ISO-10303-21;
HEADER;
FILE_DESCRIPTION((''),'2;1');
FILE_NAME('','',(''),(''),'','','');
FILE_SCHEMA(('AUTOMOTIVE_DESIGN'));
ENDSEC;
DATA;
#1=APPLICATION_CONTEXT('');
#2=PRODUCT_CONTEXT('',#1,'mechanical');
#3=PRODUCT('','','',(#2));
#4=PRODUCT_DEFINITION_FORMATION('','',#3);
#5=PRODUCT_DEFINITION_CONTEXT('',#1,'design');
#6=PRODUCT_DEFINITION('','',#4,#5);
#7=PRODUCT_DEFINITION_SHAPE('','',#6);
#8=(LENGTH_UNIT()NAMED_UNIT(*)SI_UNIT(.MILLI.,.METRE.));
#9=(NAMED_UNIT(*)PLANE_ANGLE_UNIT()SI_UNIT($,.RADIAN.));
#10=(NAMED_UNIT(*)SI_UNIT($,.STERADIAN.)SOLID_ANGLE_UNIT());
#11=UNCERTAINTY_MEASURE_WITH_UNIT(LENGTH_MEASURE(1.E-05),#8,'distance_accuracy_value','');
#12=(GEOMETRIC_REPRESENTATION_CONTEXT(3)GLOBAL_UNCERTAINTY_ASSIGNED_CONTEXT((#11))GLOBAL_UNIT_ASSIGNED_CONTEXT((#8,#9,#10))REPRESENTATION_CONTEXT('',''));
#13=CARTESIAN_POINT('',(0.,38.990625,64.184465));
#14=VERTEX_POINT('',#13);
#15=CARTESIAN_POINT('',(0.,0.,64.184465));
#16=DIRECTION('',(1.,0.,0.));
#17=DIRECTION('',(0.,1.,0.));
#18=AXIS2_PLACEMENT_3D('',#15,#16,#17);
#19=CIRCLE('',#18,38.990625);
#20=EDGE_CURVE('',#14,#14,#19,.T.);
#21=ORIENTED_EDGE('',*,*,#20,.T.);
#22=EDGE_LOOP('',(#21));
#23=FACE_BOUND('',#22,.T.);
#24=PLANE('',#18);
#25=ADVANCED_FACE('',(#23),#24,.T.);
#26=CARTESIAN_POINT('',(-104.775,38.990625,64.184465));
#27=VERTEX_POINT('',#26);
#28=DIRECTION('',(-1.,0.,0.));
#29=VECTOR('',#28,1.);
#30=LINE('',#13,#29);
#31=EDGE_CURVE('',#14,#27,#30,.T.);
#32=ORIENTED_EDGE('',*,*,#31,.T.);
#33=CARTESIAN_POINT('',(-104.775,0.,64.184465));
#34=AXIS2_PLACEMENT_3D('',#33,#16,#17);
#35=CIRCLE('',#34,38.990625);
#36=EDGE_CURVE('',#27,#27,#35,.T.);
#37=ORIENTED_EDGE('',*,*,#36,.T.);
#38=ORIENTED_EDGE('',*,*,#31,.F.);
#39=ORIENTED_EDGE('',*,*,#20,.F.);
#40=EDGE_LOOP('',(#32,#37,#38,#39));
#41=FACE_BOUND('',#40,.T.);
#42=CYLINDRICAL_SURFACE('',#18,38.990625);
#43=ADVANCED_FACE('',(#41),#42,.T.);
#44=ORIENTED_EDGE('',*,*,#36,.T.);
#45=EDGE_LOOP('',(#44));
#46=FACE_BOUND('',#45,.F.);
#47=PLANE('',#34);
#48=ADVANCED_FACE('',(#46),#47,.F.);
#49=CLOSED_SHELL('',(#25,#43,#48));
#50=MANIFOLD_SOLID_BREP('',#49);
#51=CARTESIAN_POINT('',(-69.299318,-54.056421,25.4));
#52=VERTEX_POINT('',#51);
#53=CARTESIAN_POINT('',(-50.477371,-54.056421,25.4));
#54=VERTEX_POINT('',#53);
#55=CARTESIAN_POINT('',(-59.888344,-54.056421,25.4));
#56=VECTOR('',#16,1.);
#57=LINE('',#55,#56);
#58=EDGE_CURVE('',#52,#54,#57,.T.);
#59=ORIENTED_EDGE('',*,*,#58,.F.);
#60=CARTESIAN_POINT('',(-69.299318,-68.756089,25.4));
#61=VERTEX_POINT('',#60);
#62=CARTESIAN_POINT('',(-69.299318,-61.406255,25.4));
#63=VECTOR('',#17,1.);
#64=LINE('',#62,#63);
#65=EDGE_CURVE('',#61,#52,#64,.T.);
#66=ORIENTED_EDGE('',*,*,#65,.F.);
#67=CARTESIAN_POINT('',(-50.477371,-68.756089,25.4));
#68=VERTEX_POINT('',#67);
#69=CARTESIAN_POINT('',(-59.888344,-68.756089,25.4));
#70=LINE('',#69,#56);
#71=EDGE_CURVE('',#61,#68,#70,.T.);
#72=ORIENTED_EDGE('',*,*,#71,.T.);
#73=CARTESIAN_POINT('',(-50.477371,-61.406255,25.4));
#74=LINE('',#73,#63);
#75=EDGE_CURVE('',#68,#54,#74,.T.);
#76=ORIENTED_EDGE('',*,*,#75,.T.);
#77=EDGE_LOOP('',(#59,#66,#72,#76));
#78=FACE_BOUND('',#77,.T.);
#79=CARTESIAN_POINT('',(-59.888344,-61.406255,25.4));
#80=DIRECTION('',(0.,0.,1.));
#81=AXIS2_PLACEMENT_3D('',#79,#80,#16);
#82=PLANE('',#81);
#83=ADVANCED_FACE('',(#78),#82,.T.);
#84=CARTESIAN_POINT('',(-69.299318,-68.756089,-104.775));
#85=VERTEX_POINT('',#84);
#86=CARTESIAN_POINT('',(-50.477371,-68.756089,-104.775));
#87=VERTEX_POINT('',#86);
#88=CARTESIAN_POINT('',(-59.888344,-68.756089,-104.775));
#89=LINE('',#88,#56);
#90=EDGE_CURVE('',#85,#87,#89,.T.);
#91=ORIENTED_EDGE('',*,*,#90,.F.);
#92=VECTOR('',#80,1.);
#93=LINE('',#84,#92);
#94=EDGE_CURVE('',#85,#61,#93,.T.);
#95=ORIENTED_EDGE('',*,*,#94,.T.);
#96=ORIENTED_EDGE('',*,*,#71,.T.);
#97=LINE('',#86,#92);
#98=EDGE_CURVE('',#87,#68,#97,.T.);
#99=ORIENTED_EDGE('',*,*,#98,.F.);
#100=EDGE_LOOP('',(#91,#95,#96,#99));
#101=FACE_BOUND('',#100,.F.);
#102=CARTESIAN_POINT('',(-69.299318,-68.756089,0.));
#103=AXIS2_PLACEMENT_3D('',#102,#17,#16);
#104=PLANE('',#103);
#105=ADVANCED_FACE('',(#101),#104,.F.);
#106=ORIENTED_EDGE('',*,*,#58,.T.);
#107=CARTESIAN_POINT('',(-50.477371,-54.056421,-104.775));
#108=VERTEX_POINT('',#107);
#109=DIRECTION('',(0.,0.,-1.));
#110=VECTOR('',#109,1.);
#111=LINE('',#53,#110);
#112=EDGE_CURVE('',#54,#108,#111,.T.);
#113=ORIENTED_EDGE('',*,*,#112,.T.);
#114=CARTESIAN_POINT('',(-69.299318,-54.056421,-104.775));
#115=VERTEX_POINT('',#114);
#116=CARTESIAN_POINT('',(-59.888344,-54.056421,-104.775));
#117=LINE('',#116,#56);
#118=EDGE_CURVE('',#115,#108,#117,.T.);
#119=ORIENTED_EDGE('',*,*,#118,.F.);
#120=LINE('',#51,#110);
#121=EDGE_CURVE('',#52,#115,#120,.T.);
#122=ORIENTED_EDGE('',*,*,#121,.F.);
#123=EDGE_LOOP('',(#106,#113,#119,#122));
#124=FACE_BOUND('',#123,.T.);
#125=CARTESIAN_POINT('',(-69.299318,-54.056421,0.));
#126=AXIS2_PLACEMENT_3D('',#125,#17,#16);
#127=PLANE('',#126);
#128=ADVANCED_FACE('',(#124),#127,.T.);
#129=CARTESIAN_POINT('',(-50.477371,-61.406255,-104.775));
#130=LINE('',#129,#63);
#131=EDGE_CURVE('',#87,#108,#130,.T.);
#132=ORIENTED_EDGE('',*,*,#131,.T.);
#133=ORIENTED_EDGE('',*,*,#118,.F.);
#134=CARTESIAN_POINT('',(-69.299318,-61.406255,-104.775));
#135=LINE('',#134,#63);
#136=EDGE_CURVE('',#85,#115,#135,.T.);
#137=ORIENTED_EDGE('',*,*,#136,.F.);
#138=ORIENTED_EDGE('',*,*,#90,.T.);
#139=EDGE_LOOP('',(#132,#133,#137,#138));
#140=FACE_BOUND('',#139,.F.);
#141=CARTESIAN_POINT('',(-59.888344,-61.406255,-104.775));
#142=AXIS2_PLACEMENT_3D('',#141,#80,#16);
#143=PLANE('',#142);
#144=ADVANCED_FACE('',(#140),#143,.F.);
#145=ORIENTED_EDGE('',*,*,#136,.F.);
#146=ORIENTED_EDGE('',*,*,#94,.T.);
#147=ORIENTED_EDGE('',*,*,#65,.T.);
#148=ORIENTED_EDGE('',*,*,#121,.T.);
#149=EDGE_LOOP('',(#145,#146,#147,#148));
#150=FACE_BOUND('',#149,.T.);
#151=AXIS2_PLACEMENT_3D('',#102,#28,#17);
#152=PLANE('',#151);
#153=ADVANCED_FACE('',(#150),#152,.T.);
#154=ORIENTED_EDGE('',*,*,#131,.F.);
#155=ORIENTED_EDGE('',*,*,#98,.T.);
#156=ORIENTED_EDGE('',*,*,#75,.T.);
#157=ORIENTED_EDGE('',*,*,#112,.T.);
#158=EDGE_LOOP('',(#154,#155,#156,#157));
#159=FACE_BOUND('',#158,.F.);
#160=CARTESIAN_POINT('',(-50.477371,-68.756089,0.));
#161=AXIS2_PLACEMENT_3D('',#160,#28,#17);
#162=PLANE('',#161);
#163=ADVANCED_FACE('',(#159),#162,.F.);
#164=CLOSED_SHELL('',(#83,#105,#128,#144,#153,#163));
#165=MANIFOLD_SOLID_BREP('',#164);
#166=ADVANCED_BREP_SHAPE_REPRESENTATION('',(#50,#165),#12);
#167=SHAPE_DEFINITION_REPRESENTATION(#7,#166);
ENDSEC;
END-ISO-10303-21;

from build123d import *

# Parameters (mm, degrees)
F0_W          = 18.8219472766
F0_H          = 14.6996676922
F1_DEPTH      = 104.775
F1_DEPTH_BACK = 25.4
F2_R          = 38.9906247572
F3_DEPTH      = 104.775


with BuildPart() as f1:
    # F0 (on Top) → F1 (new body, two sides)
    with BuildSketch(Plane.XY) as f1_sk:
        with Locations((-59.8883442581, -61.4062547684)):
            Rectangle(F0_W, F0_H)
    extrude(amount=-F1_DEPTH)
    extrude(f1_sk.sketch, amount=F1_DEPTH_BACK)


with BuildPart() as f3:
    # F2 (on Right) → F3 (new body)
    with BuildSketch(Plane.YZ):
        with Locations((0, 64.1844645143)):
            Circle(F2_R)
    extrude(amount=-F3_DEPTH)


solid = Compound([f1.part, f3.part])
